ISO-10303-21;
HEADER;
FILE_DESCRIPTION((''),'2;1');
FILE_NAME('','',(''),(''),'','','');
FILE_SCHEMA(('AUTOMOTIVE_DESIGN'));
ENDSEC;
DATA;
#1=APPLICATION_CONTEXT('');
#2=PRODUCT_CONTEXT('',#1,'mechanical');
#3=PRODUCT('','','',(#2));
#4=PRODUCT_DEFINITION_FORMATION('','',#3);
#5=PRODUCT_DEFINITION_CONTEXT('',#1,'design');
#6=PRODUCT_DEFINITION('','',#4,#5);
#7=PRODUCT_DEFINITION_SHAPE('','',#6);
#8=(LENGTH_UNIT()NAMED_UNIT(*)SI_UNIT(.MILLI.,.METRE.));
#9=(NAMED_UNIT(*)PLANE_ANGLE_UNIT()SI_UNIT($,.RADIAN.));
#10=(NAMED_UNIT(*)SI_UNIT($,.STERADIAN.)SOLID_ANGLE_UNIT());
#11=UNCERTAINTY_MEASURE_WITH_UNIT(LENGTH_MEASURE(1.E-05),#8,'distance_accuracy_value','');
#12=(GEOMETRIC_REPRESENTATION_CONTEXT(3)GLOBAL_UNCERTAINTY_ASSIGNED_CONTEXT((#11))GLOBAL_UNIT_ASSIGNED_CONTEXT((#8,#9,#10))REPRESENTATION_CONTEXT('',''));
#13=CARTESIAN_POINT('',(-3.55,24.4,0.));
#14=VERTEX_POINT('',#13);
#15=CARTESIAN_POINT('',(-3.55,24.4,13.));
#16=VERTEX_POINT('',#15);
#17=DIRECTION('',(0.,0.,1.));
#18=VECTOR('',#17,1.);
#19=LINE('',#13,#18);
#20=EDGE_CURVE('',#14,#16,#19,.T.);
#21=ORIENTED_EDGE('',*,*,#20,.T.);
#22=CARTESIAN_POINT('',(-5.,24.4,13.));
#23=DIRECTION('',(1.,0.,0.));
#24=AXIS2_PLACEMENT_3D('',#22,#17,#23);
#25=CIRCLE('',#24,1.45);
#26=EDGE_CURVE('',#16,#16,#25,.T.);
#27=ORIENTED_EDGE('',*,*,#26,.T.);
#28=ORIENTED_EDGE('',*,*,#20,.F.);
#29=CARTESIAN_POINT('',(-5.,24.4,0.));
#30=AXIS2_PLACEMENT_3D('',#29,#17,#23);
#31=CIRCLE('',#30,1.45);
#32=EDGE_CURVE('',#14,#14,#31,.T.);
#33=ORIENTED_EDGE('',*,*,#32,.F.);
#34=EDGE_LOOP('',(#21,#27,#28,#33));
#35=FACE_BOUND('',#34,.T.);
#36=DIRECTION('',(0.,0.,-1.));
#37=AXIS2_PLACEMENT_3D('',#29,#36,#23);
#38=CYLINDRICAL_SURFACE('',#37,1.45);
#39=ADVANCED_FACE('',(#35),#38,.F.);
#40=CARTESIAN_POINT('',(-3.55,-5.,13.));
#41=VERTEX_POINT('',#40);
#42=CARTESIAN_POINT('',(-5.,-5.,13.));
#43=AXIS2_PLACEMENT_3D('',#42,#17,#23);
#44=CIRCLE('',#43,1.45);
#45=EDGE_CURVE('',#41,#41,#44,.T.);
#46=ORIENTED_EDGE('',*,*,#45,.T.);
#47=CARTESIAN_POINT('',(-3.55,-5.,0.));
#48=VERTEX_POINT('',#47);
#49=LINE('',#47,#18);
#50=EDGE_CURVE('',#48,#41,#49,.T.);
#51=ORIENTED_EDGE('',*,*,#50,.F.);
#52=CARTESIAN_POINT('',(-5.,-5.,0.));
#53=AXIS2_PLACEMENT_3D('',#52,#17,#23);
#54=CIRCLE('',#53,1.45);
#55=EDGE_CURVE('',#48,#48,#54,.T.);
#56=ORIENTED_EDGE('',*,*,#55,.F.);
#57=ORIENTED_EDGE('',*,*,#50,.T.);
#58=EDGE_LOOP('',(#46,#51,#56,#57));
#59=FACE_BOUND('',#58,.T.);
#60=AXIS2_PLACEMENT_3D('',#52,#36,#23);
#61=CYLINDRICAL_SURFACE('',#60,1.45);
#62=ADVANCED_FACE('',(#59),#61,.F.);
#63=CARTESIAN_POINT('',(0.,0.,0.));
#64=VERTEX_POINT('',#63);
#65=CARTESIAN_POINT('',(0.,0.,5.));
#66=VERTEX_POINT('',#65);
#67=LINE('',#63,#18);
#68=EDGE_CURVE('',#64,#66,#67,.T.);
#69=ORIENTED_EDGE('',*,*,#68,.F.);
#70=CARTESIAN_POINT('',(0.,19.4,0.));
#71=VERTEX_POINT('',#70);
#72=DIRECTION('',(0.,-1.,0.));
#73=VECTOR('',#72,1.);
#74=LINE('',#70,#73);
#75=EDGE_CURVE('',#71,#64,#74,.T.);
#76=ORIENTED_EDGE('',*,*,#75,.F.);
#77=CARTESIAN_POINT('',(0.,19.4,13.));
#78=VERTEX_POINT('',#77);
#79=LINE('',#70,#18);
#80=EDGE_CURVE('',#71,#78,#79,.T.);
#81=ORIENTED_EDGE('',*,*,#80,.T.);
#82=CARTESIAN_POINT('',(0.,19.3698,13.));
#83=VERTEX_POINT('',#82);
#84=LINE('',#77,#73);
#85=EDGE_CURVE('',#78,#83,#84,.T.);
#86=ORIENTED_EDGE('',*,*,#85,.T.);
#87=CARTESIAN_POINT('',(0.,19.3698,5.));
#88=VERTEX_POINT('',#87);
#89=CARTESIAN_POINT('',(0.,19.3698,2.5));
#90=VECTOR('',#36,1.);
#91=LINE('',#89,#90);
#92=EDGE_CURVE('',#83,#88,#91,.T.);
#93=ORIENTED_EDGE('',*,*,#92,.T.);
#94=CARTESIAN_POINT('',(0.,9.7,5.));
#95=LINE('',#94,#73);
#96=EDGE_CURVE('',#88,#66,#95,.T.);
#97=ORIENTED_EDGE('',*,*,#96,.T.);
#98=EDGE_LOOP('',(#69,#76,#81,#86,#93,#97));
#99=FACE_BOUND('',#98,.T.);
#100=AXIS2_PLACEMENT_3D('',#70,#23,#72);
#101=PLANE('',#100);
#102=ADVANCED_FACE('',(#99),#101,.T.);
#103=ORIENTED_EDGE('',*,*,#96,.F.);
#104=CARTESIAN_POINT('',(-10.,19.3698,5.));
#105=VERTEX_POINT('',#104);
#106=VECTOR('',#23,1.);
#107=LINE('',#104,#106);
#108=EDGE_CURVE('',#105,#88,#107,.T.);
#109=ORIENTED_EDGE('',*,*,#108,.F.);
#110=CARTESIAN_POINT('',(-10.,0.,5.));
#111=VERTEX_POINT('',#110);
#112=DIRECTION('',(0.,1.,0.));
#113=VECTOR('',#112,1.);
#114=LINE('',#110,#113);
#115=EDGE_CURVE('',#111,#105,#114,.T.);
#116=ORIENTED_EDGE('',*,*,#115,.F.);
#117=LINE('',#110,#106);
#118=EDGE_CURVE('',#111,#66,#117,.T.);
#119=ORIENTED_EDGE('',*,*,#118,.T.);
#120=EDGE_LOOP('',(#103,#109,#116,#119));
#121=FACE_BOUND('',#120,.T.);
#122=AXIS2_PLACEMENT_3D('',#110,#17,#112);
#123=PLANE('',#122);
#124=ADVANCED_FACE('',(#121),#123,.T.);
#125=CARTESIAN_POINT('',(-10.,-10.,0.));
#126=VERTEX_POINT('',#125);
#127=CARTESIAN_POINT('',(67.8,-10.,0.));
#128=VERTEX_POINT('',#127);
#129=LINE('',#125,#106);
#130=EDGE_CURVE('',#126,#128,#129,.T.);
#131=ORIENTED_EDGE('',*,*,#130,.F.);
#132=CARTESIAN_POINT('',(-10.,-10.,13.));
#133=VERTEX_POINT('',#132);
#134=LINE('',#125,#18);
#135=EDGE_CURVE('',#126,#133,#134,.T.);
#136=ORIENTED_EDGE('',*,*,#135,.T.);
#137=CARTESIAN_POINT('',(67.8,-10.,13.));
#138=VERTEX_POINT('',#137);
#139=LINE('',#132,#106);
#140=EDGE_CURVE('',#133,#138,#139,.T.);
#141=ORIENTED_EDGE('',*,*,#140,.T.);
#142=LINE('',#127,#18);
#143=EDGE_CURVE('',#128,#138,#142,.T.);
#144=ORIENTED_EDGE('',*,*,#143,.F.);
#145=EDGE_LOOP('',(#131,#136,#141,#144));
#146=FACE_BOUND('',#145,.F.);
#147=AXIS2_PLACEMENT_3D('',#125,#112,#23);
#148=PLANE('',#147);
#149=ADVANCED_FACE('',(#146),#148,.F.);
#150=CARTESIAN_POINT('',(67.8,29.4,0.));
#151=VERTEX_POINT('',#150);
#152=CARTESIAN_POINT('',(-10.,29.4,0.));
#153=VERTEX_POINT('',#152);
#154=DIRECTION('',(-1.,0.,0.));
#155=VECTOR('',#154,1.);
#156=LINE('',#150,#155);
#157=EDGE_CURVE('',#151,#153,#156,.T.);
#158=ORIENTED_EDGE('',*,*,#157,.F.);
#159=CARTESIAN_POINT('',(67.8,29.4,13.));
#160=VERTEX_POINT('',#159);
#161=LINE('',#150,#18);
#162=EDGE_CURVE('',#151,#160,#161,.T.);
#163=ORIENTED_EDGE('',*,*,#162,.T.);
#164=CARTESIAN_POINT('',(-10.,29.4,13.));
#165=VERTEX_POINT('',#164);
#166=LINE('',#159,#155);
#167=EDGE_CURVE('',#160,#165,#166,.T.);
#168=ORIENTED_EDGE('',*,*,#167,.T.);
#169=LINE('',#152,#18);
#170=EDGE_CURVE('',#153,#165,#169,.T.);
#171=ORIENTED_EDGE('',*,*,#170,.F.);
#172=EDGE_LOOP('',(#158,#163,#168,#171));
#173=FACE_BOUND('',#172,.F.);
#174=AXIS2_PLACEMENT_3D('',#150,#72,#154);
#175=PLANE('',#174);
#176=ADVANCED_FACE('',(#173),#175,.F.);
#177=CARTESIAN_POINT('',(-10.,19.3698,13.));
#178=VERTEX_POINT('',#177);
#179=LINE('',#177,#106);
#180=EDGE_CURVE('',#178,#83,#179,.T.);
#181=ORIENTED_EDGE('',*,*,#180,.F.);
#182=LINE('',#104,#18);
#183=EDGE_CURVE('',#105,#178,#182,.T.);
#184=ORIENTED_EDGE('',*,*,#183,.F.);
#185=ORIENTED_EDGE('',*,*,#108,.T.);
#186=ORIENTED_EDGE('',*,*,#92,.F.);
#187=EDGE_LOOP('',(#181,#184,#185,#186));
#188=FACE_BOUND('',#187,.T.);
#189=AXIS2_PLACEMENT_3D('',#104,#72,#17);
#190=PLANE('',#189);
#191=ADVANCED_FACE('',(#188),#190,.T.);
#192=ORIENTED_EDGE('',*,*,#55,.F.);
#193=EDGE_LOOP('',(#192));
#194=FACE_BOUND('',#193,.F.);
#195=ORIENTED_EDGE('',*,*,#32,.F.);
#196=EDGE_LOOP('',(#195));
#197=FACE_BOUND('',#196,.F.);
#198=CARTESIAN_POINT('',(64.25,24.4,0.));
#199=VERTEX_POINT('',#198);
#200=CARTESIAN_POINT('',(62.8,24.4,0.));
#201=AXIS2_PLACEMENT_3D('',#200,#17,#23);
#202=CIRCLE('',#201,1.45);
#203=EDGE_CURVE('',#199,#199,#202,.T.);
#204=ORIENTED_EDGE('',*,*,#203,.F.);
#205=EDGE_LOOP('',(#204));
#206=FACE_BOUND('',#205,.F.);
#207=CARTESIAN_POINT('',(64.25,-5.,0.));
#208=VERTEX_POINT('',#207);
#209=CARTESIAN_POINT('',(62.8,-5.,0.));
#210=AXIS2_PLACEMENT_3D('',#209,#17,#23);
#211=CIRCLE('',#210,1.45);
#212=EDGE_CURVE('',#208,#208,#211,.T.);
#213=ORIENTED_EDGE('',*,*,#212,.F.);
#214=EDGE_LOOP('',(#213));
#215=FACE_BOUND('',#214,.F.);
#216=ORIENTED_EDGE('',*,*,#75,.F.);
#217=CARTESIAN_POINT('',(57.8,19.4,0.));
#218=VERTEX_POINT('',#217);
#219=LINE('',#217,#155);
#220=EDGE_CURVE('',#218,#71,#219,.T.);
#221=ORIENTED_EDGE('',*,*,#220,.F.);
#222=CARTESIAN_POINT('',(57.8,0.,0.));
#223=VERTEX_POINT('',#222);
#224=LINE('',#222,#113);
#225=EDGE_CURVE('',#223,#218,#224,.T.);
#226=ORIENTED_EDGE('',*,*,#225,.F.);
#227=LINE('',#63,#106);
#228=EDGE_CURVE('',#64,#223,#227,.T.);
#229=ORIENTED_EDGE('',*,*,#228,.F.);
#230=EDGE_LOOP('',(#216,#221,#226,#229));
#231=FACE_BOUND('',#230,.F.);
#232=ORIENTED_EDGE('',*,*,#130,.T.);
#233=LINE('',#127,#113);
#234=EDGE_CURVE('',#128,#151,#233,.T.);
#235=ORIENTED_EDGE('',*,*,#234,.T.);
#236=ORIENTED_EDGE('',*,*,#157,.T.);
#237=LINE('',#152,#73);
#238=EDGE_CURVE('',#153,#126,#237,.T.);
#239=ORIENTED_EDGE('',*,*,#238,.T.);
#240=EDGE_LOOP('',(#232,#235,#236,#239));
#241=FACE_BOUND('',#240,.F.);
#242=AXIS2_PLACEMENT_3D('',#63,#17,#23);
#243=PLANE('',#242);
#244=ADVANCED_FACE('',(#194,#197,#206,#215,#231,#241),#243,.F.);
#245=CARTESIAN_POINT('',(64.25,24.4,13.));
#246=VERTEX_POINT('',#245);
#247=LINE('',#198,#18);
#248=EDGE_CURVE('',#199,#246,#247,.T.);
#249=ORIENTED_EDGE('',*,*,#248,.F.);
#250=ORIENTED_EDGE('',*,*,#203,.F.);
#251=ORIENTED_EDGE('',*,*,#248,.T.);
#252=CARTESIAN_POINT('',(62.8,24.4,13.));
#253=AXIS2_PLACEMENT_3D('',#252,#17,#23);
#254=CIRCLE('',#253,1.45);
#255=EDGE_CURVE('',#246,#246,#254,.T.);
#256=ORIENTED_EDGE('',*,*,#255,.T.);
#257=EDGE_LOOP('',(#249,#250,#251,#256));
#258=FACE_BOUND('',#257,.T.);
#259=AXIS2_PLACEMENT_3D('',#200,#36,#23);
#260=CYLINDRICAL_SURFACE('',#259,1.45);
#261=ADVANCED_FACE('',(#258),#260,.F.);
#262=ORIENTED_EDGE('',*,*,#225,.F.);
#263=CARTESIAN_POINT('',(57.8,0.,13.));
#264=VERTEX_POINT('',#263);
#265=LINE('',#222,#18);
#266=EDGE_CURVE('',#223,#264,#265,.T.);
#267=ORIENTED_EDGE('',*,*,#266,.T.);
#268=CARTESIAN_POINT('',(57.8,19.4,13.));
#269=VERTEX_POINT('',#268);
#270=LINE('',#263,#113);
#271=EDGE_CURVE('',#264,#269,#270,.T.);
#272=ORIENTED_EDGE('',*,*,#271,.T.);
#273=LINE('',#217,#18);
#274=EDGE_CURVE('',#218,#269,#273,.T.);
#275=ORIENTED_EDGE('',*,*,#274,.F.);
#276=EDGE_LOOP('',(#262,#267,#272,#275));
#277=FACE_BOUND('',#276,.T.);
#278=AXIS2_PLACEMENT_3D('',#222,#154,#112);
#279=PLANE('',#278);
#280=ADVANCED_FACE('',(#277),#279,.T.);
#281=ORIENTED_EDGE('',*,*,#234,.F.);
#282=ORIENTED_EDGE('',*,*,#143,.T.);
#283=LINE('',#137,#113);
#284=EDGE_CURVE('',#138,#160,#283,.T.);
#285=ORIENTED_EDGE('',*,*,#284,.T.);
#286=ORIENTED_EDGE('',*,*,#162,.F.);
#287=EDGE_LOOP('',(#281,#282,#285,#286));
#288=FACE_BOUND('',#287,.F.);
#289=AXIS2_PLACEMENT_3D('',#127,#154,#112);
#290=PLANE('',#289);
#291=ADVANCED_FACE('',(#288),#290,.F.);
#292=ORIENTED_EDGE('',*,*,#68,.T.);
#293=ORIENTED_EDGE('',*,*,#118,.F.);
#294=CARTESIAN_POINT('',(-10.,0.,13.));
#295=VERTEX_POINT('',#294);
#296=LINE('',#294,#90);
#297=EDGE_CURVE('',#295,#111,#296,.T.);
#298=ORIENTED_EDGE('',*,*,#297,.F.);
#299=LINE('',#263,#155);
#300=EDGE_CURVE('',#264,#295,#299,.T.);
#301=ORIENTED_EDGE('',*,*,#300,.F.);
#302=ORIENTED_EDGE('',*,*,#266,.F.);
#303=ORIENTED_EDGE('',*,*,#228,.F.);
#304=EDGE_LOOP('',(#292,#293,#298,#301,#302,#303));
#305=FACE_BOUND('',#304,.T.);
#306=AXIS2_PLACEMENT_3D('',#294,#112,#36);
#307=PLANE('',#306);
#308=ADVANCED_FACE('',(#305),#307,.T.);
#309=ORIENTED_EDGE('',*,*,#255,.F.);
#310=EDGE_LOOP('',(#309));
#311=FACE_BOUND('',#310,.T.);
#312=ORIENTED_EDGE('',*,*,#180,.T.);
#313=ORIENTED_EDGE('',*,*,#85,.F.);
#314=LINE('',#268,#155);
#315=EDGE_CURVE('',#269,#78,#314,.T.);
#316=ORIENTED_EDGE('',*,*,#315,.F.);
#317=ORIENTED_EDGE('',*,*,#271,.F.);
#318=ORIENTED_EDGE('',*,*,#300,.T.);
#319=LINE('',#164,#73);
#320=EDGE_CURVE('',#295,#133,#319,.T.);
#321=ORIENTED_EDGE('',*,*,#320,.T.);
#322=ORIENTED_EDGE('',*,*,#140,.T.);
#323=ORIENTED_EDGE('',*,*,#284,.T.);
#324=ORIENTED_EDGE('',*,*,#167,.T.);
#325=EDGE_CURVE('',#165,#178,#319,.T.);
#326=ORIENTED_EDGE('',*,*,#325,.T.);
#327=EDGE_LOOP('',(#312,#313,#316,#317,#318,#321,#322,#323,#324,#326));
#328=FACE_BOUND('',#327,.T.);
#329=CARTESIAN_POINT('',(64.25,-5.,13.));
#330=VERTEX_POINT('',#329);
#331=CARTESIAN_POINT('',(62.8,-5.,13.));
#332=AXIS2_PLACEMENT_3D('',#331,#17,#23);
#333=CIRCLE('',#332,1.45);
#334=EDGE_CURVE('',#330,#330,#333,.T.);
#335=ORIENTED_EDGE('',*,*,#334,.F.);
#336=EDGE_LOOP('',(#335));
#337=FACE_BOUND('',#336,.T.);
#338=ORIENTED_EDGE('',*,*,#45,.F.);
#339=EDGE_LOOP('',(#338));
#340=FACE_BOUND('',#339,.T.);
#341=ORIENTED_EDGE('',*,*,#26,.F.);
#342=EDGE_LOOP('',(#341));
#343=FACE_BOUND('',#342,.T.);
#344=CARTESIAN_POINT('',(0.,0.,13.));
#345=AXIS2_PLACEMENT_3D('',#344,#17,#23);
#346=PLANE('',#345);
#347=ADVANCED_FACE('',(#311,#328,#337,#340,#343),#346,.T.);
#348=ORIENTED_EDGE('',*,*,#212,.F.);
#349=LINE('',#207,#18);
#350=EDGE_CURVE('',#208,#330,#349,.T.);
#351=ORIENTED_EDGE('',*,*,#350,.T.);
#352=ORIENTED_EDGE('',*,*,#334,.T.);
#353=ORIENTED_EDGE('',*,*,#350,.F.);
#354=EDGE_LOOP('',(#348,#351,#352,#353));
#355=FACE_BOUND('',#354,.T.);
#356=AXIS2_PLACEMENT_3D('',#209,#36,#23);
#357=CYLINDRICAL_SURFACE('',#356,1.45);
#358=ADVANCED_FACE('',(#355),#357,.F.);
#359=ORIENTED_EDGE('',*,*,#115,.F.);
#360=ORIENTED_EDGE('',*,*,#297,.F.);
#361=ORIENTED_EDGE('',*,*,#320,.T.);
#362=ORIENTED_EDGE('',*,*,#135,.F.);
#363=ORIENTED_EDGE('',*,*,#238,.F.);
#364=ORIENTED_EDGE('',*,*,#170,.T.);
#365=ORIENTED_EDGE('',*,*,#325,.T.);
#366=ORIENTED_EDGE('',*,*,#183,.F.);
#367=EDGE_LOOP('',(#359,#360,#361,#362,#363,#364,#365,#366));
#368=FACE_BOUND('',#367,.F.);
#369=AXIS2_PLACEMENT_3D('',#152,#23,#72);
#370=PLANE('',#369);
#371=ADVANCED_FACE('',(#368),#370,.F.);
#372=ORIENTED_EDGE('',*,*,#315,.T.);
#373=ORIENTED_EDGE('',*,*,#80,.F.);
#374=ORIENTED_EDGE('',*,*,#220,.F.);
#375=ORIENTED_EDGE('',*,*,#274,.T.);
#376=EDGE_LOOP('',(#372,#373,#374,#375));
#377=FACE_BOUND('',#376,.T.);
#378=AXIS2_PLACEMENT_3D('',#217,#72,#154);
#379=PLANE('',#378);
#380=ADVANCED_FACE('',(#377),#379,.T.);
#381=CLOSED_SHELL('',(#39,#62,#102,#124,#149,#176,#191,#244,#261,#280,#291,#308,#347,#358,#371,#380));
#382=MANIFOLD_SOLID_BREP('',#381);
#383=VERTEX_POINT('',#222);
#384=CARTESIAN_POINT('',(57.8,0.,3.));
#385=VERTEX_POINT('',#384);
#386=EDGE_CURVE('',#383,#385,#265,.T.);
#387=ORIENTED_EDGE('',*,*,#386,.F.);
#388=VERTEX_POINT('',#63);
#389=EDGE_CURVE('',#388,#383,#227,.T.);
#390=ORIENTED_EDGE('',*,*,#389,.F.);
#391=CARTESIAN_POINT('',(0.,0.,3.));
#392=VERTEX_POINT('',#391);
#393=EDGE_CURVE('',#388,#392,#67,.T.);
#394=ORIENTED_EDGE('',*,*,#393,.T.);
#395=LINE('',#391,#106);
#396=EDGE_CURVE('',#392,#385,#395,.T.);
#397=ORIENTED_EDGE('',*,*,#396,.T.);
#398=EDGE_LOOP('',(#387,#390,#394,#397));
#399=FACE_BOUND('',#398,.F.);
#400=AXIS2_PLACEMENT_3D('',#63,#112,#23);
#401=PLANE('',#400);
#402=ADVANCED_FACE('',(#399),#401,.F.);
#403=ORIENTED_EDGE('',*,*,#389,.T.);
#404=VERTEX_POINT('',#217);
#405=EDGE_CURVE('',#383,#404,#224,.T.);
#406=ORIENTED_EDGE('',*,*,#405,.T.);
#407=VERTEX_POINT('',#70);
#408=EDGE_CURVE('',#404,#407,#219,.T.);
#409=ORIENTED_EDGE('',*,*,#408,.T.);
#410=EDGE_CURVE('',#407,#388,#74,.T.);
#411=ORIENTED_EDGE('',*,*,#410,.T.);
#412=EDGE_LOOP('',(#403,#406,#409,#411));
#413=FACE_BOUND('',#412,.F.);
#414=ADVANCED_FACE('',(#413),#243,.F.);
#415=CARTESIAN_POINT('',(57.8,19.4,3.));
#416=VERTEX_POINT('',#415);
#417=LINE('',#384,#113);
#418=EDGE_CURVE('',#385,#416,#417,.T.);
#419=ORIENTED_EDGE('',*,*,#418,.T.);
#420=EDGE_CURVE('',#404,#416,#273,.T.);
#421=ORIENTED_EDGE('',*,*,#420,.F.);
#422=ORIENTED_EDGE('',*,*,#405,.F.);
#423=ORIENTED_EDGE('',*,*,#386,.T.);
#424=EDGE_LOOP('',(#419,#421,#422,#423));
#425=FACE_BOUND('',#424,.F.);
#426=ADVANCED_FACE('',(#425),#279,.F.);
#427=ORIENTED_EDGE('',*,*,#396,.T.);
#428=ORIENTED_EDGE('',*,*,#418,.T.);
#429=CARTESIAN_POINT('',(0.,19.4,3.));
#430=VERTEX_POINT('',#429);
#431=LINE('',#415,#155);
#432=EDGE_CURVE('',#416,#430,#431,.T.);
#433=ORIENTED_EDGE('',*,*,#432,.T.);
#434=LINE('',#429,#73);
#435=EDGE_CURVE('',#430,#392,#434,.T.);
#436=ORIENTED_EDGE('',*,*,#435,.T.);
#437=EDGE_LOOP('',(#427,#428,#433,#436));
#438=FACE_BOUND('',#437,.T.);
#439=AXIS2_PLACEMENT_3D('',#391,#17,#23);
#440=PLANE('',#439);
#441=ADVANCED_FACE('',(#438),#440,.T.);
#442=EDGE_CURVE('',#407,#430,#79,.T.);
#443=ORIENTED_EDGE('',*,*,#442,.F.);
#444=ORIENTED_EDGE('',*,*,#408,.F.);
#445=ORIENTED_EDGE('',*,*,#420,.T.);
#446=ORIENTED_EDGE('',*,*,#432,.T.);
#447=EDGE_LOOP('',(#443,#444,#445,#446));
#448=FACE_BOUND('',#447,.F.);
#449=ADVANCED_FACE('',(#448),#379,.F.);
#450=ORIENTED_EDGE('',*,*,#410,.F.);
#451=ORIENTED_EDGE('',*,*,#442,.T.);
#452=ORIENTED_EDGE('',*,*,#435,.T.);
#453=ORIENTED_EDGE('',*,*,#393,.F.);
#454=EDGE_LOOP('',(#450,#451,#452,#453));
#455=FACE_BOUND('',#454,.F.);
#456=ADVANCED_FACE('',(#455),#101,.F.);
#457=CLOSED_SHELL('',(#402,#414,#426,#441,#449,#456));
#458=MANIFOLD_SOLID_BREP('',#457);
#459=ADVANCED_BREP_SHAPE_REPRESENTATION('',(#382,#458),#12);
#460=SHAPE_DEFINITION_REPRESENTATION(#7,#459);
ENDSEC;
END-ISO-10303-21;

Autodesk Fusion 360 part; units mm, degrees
sketch "Sketch1" plane through (0, 0, 0) normal (0, 0, 1) x (1, 0, 0)
  line L0 (0, 0) -> (57.8, 0)
  line L1 (57.8, 0) -> (57.8, 19.4)
  line L2 (57.8, 19.4) -> (0, 19.4)
  line L3 (0, 19.4) -> (0, 0)
  line L4 (-10, -10) -> (67.8, -10)
  line L5 (67.8, -10) -> (67.8, 29.4)
  line L6 (67.8, 29.4) -> (-10, 29.4)
  line L7 (-10, 29.4) -> (-10, -10)
  circle A0 centre (-5, 24.4) radius 1.45
  circle A1 centre (-5, -5) radius 1.45
  circle A2 centre (62.8, -5) radius 1.45
  circle A3 centre (62.8, 24.4) radius 1.45
  dimension "d1" = 57.8
  dimension "d2" = 19.4
  dimension "d3" = 10
  dimension "d4" = 10
  dimension "d5" = 10
  dimension "d6" = 10
  dimension "d7" = 2.9
  dimension "d8" = 5
  dimension "d9" = 5
  dimension "d10" = 2.9
  dimension "d11" = 5
  dimension "d12" = 5
  dimension "d13" = 2.9
  dimension "d14" = 5
  dimension "d15" = 5
  dimension "d16" = 2.9
  dimension "d17" = 5
  dimension "d18" = 5
extrude "Extrude1" add sketch "Sketch1" along normal blind 13 makes body 1
extrude "Extrude2" add sketch "Sketch1" along normal blind 3 separate body contours L0 L1 L2 L3 makes body 2
sketch "Sketch2" plane through (-10, 0, 0) normal (-1, 0, 0) x (0, -1, 0)
  line L0 (-29.4, 0) -> (10, 0)
  line L1 (10, 0) -> (10, 13)
  line L2 (10, 13) -> (-29.4, 13)
  line L3 (-29.4, 13) -> (-29.4, 0)
  line L4 (-19.3698, 13) -> (0, 13)
  line L5 (0, 13) -> (0, 5)
  line L6 (0, 5) -> (-19.3698, 5)
  line L7 (-19.3698, 5) -> (-19.3698, 13)
  point P0 (-19.4, 13)
  dimension "d24" = 8
  dimension "d25" = 0.0302
extrude "Extrude3" cut sketch "Sketch2" against normal blind 21 contours L2 L4 L5 L6 L7 bodies 1
